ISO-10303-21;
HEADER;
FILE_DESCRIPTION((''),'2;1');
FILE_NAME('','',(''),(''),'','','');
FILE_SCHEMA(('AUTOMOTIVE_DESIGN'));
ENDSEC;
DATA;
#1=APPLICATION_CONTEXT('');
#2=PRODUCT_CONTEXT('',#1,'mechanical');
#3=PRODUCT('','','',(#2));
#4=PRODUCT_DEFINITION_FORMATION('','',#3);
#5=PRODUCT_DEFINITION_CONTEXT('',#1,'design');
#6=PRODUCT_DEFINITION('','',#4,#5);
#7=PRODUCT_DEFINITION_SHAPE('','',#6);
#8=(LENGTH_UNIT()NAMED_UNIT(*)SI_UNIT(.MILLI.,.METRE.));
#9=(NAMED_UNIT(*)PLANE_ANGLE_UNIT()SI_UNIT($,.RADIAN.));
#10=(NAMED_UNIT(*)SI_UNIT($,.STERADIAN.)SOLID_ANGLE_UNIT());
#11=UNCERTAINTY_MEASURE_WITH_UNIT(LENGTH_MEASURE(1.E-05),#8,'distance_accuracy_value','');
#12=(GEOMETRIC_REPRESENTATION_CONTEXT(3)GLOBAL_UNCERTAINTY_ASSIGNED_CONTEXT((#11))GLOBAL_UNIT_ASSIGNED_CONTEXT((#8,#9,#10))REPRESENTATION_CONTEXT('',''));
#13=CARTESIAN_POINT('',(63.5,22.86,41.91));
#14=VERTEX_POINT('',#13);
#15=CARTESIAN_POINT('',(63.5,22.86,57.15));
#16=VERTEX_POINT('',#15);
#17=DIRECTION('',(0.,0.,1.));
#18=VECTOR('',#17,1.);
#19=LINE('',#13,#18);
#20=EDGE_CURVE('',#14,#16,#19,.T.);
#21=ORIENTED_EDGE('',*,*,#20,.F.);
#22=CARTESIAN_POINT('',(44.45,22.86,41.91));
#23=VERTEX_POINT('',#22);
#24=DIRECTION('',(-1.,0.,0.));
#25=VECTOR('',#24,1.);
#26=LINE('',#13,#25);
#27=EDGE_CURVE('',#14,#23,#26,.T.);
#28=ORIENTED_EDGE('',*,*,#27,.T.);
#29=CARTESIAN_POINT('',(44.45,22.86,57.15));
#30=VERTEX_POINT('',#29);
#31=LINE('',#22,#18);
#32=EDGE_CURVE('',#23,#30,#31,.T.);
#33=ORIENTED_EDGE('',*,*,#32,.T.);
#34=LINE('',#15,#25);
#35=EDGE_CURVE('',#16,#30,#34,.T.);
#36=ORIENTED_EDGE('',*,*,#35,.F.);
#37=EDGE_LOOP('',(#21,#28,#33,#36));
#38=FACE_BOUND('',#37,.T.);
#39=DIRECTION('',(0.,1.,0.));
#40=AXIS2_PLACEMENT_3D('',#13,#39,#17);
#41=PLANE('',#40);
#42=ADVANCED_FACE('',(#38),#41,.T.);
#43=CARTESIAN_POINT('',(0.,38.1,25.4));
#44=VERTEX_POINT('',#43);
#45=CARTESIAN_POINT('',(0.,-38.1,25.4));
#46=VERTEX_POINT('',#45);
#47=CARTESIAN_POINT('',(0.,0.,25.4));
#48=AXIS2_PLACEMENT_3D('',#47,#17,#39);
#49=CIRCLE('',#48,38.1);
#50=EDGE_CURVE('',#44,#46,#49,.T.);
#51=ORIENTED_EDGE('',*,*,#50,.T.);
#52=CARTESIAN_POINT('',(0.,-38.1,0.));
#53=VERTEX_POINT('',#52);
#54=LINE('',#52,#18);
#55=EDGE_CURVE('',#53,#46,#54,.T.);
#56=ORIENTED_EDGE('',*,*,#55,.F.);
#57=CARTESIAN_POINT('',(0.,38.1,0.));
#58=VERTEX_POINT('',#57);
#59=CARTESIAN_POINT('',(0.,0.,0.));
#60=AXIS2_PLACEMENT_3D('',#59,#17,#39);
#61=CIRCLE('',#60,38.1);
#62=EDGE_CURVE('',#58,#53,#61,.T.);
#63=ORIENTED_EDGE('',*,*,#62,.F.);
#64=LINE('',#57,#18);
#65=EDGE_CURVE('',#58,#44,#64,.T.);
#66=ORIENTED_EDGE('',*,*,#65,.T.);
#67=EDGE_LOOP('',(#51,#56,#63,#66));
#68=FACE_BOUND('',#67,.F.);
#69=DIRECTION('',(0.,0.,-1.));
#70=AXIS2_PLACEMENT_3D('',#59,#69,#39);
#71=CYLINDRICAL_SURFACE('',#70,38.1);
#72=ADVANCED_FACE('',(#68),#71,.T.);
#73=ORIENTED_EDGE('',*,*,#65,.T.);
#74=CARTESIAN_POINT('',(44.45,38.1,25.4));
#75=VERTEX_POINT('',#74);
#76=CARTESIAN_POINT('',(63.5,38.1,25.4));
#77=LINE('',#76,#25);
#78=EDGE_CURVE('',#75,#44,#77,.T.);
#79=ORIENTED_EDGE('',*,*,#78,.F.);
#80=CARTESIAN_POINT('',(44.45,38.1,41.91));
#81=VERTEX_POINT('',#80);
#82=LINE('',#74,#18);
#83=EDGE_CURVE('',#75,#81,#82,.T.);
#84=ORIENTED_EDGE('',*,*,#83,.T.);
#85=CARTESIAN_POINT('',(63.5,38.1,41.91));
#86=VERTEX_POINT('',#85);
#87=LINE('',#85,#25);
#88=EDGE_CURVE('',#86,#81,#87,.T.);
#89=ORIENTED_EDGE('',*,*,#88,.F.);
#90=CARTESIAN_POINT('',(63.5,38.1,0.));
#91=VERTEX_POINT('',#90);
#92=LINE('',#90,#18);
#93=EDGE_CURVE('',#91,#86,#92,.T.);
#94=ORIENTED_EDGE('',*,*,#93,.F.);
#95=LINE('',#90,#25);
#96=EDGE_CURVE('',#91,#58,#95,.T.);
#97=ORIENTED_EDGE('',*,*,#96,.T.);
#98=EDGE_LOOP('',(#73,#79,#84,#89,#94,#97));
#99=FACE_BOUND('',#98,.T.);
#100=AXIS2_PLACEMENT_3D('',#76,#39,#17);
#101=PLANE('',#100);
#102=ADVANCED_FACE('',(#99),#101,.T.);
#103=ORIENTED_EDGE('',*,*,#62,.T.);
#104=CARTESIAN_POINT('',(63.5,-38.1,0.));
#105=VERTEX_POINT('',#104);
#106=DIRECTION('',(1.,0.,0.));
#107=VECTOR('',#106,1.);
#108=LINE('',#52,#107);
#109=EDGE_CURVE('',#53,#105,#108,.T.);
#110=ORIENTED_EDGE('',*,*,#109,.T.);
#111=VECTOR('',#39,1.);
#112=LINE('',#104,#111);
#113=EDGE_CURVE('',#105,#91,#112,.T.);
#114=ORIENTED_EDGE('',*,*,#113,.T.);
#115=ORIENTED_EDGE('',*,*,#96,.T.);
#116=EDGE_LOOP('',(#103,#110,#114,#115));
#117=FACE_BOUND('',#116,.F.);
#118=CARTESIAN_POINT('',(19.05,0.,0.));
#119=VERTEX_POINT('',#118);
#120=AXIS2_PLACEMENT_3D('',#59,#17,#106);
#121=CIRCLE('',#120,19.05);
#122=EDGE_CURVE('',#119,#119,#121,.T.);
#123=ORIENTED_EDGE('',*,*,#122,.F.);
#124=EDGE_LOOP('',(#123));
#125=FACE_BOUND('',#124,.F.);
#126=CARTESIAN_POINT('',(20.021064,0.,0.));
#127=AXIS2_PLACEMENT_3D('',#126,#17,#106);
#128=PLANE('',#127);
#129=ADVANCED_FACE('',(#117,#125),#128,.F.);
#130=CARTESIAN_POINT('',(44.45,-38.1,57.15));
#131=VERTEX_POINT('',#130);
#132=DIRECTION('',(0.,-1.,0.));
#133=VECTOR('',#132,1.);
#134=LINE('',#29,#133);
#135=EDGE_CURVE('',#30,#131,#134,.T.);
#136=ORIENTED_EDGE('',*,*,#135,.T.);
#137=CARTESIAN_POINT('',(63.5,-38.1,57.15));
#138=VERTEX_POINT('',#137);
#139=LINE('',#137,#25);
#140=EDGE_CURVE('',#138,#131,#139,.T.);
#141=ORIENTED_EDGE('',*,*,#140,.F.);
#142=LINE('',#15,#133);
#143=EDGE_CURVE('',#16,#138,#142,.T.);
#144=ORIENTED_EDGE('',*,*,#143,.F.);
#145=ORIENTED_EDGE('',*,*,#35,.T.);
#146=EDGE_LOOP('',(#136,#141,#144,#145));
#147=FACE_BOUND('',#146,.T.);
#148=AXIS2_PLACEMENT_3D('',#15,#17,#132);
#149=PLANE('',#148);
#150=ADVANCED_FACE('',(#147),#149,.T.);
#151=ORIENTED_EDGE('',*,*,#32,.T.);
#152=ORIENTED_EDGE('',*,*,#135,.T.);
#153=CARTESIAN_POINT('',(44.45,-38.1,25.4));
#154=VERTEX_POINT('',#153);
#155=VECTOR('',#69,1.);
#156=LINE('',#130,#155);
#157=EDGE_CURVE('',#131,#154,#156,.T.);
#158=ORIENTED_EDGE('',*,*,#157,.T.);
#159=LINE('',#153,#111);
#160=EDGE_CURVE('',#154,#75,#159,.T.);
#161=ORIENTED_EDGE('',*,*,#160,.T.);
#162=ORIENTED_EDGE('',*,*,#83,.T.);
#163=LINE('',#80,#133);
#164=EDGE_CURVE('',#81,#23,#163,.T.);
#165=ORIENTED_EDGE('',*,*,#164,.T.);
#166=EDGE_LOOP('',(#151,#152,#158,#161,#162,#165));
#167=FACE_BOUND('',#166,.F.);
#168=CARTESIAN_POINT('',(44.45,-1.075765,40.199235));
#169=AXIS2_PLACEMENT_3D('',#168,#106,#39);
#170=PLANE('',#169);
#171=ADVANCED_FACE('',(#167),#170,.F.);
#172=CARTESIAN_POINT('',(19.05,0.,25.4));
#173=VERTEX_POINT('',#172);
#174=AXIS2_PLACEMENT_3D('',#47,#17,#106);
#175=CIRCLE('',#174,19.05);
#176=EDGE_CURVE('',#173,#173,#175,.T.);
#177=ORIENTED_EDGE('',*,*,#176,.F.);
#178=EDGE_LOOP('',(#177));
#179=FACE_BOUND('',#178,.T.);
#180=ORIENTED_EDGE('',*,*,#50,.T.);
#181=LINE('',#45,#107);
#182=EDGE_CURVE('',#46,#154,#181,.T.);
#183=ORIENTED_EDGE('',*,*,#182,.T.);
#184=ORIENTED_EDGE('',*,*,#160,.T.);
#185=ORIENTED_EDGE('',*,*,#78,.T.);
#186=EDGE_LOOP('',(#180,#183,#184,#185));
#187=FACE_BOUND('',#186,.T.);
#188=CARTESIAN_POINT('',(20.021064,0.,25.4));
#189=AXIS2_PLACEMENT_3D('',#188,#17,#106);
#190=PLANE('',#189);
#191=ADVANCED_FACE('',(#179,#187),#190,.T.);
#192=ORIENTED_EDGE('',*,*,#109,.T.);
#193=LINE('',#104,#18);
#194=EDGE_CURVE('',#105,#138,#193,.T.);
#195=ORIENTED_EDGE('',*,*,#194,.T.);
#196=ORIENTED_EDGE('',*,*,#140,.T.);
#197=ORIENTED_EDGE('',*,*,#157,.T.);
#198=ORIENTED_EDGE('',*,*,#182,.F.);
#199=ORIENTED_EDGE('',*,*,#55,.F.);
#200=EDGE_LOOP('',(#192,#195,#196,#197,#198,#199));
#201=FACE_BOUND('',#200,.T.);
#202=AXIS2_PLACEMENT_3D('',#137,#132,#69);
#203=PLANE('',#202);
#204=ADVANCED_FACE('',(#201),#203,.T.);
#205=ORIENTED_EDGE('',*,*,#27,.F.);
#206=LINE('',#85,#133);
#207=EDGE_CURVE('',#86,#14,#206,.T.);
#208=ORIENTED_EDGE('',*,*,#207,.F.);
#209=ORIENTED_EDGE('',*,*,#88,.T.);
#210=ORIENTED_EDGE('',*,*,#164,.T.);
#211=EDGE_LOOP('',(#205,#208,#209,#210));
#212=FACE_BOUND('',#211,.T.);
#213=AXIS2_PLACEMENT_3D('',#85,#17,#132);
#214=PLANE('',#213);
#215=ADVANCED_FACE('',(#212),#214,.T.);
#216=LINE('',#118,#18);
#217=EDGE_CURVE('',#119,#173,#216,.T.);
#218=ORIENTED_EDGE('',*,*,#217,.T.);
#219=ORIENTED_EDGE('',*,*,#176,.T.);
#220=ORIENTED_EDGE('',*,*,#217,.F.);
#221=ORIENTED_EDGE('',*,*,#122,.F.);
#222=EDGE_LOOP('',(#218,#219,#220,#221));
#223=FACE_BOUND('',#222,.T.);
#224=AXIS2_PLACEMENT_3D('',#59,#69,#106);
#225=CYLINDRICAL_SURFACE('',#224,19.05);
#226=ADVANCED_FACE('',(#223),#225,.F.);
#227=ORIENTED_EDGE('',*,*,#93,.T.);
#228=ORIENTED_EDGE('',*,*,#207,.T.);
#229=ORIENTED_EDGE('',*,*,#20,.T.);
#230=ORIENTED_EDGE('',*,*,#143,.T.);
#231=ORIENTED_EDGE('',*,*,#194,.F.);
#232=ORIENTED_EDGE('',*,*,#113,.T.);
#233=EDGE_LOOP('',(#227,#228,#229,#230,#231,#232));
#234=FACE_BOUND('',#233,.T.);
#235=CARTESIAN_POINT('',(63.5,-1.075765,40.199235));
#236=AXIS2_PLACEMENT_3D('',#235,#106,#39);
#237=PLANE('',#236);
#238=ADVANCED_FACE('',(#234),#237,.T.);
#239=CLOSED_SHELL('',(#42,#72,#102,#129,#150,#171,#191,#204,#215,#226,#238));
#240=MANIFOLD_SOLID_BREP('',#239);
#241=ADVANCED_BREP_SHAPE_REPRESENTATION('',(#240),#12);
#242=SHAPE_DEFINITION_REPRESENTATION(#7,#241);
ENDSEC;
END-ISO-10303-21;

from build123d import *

# Parameters (mm, degrees)
F0_R     = 19.05
F1_DEPTH = 25.4
F3_DEPTH = 19.05


with BuildPart() as f1:
    # F0 (on Top) → F1 (new body)
    with BuildSketch(Plane.XY):
        with BuildLine():
            Line((63.5, 38.1), (0, 38.1))
            ThreePointArc((0, 38.1), (-38.1, 0), (0, -38.1))
            Line((0, -38.1), (63.5, -38.1))
            Line((63.5, -38.1), (63.5, 38.1))
        make_face()
        Circle(F0_R, mode=Mode.SUBTRACT)
    extrude(amount=F1_DEPTH)

    # F2 (on face) → F3 (join)
    with BuildSketch(Plane.YZ.offset(63.5)):
        Polygon((-38.1, 57.15), (-38.1, 25.4), (38.1, 25.4), (38.1, 41.91), (22.86, 41.91), (22.86, 57.15), align=None)
    extrude(amount=-F3_DEPTH)


solid = f1.part
